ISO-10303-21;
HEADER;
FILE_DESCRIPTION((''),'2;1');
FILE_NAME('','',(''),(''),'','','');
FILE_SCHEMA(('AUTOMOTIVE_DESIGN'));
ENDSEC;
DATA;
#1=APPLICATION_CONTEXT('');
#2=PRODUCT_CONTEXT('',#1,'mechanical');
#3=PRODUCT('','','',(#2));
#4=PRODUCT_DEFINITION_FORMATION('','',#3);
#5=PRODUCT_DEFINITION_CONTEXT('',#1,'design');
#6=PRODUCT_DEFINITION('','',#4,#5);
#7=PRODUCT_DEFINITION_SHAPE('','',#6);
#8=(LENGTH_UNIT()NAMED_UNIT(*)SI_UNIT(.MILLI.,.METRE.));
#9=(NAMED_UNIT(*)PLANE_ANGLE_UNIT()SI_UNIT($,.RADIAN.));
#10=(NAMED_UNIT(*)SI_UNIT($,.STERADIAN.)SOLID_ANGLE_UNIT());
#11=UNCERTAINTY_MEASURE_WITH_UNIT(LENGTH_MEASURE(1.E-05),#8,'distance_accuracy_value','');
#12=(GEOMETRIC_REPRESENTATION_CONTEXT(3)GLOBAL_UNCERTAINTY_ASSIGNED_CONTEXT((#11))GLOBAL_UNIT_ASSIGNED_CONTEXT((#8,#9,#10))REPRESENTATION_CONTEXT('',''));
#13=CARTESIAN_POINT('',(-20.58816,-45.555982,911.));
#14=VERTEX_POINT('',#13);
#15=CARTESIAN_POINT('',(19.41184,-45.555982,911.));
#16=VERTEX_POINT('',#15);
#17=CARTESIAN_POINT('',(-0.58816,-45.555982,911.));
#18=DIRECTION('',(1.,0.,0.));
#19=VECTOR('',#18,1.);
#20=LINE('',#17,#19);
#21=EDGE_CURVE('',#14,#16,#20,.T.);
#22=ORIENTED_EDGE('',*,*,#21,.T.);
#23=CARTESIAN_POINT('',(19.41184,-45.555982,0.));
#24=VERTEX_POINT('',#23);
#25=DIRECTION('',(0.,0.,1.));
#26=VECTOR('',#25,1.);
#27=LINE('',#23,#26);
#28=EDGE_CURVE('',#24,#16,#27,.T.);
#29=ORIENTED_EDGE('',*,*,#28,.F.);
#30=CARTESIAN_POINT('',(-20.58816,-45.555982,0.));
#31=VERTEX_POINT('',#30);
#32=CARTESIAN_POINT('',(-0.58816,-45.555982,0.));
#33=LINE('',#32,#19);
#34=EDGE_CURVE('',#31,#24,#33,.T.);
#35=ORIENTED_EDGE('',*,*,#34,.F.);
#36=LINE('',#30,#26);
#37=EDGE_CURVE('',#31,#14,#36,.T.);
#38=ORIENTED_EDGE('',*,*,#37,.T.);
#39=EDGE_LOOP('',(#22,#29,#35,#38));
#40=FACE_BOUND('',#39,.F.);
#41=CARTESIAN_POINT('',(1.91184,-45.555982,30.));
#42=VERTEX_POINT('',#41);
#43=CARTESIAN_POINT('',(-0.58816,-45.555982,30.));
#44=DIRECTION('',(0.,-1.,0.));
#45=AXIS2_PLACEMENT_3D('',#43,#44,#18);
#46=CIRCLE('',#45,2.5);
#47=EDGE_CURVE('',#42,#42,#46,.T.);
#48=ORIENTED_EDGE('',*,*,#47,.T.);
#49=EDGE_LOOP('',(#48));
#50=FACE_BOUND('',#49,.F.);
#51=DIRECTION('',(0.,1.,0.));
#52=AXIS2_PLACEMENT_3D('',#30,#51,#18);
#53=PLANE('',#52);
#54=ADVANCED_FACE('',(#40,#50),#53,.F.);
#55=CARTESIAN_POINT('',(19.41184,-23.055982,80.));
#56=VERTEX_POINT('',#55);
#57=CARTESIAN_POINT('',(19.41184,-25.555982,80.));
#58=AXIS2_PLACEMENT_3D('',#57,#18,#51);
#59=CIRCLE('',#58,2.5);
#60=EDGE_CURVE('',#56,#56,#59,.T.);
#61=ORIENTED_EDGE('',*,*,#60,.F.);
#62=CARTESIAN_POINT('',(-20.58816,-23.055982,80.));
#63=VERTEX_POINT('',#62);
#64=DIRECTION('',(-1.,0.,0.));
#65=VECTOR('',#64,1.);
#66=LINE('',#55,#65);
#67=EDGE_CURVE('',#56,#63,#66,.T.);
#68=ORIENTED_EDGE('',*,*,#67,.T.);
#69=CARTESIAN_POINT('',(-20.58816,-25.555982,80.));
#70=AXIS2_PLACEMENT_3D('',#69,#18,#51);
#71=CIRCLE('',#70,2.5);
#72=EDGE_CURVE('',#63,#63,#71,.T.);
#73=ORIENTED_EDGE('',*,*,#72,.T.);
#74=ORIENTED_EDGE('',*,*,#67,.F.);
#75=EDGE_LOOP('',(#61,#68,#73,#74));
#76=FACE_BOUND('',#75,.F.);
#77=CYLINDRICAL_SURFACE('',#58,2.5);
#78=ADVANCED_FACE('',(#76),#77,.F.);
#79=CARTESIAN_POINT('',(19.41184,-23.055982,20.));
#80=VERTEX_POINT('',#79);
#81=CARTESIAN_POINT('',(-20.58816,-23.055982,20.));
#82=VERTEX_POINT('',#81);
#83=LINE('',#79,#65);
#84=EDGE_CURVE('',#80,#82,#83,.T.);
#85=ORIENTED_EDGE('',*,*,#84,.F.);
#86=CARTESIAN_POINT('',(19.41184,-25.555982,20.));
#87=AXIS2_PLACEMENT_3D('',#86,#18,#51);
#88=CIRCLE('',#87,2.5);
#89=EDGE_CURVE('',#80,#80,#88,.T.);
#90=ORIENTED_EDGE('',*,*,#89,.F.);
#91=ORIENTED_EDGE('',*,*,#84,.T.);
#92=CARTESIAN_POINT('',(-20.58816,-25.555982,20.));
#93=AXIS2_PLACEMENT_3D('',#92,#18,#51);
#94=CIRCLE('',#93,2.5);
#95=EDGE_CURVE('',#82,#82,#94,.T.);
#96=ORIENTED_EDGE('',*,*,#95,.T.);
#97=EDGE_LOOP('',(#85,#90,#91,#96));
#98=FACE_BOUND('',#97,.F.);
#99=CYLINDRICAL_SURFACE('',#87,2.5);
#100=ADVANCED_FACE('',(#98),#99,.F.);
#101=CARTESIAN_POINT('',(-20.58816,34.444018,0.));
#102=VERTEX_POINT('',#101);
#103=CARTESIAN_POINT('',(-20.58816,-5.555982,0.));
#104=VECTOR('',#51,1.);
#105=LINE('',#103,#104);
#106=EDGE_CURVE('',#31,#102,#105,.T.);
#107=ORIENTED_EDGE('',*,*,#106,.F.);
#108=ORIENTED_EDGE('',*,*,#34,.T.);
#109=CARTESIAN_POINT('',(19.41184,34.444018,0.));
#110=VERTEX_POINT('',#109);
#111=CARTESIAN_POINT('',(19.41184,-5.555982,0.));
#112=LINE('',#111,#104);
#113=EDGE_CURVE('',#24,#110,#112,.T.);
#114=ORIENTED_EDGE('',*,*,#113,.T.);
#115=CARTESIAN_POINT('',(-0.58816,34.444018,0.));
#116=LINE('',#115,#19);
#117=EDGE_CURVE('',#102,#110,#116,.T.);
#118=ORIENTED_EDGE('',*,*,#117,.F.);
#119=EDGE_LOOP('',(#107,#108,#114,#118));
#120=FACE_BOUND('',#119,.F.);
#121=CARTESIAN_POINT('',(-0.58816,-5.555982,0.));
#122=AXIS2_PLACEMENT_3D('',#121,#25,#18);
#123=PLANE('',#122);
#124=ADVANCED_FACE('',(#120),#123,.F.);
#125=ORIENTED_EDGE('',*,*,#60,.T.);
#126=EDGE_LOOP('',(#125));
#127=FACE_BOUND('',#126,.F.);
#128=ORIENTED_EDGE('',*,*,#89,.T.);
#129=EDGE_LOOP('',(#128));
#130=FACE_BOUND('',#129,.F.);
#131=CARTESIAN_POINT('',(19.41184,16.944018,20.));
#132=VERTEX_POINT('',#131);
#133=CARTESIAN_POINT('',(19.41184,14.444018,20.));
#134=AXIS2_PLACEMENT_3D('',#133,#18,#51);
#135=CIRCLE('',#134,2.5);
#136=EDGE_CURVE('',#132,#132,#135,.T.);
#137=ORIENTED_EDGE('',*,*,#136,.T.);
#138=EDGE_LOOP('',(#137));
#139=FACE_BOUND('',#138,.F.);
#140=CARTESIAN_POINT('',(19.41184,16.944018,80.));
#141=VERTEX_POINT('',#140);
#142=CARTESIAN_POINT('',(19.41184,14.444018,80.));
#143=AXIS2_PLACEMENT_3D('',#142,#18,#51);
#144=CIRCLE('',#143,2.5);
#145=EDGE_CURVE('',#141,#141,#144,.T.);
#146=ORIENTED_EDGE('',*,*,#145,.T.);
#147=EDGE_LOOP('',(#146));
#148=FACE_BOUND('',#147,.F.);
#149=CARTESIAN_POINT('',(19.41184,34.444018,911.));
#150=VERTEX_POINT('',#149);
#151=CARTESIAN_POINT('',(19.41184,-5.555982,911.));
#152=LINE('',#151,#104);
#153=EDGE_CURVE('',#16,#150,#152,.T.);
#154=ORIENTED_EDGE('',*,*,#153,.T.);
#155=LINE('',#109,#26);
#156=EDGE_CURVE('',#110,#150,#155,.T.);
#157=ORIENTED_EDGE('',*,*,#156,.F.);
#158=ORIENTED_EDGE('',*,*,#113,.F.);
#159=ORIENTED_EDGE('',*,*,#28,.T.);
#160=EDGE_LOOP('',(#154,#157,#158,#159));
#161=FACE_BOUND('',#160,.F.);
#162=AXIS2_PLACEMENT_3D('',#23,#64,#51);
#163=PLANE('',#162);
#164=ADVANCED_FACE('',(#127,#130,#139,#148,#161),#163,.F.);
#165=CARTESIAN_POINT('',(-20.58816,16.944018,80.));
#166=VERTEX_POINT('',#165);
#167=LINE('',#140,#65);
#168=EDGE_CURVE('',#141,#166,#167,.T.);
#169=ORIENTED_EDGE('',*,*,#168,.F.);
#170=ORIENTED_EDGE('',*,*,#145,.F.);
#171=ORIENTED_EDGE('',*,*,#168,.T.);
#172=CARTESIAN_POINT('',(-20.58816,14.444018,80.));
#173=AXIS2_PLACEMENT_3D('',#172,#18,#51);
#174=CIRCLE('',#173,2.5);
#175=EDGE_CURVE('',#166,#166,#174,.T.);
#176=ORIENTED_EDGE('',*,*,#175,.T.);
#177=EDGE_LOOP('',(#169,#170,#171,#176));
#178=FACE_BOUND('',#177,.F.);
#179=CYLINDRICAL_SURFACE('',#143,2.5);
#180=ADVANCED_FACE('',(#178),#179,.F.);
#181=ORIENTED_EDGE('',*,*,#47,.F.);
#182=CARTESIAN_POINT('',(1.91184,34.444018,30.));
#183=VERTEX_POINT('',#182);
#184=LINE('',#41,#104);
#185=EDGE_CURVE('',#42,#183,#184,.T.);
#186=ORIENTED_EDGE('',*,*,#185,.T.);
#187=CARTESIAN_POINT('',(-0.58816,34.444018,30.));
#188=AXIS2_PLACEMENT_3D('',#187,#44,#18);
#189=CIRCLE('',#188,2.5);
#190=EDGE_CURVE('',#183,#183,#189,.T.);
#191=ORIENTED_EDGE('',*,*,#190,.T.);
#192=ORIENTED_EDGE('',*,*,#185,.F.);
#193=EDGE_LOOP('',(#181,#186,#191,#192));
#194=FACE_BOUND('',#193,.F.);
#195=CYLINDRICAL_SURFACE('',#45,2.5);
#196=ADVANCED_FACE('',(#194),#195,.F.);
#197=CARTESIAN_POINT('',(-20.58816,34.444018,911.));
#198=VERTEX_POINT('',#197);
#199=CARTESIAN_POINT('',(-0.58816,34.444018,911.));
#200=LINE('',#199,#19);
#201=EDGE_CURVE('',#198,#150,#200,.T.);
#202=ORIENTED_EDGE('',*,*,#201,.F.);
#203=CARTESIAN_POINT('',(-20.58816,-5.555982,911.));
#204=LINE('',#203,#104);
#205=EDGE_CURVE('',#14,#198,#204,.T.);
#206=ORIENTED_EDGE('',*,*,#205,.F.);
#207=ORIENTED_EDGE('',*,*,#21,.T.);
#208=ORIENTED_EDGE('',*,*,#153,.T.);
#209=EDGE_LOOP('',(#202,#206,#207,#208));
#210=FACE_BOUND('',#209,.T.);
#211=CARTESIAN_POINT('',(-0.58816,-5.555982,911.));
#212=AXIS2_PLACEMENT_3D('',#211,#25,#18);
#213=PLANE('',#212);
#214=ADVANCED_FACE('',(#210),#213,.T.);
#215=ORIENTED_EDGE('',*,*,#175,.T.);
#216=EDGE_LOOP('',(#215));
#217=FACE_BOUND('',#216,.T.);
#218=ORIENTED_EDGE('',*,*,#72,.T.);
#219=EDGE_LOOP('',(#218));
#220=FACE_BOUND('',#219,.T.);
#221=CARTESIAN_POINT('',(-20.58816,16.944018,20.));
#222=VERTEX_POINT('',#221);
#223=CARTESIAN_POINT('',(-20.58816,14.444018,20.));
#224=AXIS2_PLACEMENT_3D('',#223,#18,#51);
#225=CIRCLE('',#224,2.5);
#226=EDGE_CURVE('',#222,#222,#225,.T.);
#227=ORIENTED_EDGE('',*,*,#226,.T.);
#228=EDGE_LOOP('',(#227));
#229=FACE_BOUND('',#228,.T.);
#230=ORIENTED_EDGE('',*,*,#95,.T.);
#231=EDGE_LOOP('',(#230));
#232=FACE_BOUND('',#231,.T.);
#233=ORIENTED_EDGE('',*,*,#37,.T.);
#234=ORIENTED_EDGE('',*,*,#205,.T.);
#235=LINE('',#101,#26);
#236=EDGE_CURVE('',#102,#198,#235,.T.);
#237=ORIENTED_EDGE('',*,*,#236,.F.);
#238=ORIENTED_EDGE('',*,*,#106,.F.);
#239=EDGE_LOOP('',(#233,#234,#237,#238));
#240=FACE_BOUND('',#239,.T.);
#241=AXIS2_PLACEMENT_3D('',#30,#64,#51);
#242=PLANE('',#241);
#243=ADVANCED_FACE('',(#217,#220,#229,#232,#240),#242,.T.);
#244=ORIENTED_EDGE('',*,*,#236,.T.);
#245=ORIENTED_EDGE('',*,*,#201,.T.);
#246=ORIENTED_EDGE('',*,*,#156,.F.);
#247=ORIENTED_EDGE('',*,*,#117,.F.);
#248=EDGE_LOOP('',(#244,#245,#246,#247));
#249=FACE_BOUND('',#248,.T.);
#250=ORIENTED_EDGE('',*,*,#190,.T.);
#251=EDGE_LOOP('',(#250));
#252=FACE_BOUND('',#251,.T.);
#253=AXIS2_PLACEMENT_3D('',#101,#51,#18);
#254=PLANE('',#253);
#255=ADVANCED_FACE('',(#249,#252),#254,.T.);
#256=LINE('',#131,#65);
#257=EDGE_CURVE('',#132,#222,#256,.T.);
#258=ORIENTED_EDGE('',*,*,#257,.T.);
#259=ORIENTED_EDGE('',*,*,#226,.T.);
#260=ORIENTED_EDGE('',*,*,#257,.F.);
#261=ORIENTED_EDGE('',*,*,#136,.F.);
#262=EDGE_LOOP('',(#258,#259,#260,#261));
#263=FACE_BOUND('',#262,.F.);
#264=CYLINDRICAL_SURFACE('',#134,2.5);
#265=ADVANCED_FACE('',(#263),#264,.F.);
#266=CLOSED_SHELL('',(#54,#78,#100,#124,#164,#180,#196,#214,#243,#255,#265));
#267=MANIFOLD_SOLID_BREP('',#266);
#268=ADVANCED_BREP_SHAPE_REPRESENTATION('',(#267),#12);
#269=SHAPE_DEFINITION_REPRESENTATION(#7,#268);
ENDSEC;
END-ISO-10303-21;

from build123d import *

# Parameters (mm, degrees)
F0_W     = 40
F0_H     = 80
F1_DEPTH = 911
F2_R     = 2.5
F3_DEPTH = 40.001
F4_R     = 2.5
F5_DEPTH = 80.001


with BuildPart() as f1:
    # F0 (on Top) → F1 (new body)
    with BuildSketch(Plane.XY):
        with Locations((-0.58816, -5.555982)):
            Rectangle(F0_W, F0_H)
    extrude(amount=F1_DEPTH)

    # F2 (on face) → F3 (cut, through all)
    with BuildSketch(Plane.YZ.offset(19.41184)):
        with Locations((-25.555982, 80)):
            Circle(F2_R)
        with Locations((14.444018, 80)):
            Circle(F2_R)
        with Locations((14.444018, 20)):
            Circle(F2_R)
        with Locations((-25.555982, 20)):
            Circle(F2_R)
    extrude(amount=-F3_DEPTH, mode=Mode.SUBTRACT)

    # F4 (on face) → F5 (cut, through all)
    with BuildSketch(Plane.XZ.offset(45.555982)):
        with Locations((-0.58816, 30)):
            Circle(F4_R)
    extrude(amount=-F5_DEPTH, mode=Mode.SUBTRACT)


solid = f1.part
